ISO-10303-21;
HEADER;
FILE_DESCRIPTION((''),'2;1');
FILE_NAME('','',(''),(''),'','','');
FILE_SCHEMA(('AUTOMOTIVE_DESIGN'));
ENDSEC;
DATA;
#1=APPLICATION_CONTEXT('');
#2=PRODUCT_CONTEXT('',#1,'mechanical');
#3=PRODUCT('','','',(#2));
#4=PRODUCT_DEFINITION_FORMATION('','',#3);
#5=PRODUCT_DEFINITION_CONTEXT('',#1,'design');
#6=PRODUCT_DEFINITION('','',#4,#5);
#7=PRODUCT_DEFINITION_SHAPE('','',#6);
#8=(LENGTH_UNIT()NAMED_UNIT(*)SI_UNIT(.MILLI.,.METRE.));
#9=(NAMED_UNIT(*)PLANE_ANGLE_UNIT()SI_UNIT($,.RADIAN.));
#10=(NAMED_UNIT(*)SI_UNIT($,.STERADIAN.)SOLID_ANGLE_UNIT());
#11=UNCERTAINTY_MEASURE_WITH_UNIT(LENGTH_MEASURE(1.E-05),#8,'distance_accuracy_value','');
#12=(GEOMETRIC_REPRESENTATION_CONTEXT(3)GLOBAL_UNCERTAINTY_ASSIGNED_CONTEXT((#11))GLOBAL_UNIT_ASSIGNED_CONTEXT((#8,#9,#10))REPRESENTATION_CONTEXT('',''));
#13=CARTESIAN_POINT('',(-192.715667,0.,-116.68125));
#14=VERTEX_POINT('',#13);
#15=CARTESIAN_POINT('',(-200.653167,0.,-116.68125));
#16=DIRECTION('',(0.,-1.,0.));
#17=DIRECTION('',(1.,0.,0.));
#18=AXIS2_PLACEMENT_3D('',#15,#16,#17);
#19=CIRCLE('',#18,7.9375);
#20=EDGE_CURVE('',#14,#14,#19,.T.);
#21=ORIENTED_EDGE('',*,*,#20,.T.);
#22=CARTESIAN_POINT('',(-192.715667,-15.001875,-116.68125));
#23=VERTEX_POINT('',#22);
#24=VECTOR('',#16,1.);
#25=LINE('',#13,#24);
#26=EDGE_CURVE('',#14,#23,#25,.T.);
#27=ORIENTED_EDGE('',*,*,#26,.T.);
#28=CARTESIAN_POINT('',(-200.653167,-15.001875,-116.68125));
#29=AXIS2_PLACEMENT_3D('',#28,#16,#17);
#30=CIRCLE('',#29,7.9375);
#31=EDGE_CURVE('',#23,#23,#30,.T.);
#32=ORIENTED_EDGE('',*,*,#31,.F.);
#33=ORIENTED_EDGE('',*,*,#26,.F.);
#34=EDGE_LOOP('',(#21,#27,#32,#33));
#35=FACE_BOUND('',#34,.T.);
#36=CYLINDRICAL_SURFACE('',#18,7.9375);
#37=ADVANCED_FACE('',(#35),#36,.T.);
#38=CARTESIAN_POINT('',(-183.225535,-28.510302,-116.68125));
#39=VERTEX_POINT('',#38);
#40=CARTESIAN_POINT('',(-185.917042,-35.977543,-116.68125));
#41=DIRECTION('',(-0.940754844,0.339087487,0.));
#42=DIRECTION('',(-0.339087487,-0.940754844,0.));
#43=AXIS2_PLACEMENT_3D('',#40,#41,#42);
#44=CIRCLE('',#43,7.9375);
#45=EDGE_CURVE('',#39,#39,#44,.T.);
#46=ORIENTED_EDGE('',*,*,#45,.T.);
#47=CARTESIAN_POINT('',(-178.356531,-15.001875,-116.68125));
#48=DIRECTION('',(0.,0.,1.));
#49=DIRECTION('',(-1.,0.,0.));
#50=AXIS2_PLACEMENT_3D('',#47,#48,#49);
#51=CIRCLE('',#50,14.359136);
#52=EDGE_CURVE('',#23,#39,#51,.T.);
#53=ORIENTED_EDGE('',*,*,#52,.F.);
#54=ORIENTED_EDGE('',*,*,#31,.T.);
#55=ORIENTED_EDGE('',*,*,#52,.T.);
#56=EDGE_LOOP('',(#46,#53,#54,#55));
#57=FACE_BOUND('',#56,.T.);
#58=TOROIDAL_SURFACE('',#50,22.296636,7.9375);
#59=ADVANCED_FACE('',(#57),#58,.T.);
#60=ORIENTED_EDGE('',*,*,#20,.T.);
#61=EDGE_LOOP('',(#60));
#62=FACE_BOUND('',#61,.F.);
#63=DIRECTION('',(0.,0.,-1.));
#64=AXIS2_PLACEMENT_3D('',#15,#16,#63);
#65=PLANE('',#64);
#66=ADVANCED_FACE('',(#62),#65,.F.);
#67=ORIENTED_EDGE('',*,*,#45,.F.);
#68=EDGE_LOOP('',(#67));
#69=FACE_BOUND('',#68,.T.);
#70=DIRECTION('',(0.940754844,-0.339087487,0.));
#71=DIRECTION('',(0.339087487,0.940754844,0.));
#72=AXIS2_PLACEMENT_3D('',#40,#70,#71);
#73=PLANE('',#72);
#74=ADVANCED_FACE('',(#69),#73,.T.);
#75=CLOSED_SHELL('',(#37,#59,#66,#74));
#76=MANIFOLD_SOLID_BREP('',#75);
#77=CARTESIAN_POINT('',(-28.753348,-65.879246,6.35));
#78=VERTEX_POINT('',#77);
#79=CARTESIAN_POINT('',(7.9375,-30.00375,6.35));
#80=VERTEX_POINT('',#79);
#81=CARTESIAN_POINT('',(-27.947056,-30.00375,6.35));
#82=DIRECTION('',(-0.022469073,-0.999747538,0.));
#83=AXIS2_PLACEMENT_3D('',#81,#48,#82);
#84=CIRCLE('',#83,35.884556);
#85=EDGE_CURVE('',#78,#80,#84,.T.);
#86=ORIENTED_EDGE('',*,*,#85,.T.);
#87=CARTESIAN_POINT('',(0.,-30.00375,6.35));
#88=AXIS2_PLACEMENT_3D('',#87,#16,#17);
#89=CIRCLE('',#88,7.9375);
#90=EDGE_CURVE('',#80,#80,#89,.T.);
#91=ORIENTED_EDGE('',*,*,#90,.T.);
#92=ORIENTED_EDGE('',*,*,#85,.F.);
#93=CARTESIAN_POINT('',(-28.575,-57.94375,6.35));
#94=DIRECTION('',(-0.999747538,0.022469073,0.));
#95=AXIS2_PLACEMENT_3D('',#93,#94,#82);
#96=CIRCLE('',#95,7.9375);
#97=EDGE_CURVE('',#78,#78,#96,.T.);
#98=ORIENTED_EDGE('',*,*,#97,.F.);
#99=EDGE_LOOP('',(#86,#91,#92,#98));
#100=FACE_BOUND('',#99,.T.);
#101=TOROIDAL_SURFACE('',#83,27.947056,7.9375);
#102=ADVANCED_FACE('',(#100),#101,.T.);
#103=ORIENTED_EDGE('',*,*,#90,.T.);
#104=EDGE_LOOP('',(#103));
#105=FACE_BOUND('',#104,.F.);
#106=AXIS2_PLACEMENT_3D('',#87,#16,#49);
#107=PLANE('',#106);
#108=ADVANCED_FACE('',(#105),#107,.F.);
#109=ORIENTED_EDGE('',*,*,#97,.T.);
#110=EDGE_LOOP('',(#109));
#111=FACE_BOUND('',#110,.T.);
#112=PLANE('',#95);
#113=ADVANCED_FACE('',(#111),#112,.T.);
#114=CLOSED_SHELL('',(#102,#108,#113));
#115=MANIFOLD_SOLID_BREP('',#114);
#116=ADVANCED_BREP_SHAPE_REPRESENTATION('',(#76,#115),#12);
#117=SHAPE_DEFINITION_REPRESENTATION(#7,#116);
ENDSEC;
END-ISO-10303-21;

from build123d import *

# Parameters (mm, degrees)
F0_R = 7.9375
F2_R = 7.9375


with BuildPart() as f5:
    # F5: sweep along a path in F4
    with BuildLine(Plane.XY.offset(-116.68125)) as f5_path:
        Line((-200.6531674, 0), (-200.6531674, -15.001875))
        ThreePointArc((-200.6531674, -15.001875), (-196.6008993429, -27.8191685823), (-185.917041714, -35.9775432579))
    # F0 (on Front) → F5 (sweep)
    with BuildSketch(Plane.XZ):
        with Locations((-200.6531674, -116.68125)):
            Circle(F0_R)
    sweep(path=f5_path.line)


with BuildPart() as f8:
    # F8: sweep along a path in F7
    with BuildLine(Plane.XY.offset(6.35)) as f8_path:
        ThreePointArc((-28.575, -57.94375), (-8.4087762563, -49.9860811015), (0, -30.00375))
    # F2 (on offset) → F8 (sweep)
    with BuildSketch(Plane.XZ.offset(30.00375)):
        with Locations((0, 6.35)):
            Circle(F2_R)
    sweep(path=f8_path.line)


solid = Compound([f5.part, f8.part])
